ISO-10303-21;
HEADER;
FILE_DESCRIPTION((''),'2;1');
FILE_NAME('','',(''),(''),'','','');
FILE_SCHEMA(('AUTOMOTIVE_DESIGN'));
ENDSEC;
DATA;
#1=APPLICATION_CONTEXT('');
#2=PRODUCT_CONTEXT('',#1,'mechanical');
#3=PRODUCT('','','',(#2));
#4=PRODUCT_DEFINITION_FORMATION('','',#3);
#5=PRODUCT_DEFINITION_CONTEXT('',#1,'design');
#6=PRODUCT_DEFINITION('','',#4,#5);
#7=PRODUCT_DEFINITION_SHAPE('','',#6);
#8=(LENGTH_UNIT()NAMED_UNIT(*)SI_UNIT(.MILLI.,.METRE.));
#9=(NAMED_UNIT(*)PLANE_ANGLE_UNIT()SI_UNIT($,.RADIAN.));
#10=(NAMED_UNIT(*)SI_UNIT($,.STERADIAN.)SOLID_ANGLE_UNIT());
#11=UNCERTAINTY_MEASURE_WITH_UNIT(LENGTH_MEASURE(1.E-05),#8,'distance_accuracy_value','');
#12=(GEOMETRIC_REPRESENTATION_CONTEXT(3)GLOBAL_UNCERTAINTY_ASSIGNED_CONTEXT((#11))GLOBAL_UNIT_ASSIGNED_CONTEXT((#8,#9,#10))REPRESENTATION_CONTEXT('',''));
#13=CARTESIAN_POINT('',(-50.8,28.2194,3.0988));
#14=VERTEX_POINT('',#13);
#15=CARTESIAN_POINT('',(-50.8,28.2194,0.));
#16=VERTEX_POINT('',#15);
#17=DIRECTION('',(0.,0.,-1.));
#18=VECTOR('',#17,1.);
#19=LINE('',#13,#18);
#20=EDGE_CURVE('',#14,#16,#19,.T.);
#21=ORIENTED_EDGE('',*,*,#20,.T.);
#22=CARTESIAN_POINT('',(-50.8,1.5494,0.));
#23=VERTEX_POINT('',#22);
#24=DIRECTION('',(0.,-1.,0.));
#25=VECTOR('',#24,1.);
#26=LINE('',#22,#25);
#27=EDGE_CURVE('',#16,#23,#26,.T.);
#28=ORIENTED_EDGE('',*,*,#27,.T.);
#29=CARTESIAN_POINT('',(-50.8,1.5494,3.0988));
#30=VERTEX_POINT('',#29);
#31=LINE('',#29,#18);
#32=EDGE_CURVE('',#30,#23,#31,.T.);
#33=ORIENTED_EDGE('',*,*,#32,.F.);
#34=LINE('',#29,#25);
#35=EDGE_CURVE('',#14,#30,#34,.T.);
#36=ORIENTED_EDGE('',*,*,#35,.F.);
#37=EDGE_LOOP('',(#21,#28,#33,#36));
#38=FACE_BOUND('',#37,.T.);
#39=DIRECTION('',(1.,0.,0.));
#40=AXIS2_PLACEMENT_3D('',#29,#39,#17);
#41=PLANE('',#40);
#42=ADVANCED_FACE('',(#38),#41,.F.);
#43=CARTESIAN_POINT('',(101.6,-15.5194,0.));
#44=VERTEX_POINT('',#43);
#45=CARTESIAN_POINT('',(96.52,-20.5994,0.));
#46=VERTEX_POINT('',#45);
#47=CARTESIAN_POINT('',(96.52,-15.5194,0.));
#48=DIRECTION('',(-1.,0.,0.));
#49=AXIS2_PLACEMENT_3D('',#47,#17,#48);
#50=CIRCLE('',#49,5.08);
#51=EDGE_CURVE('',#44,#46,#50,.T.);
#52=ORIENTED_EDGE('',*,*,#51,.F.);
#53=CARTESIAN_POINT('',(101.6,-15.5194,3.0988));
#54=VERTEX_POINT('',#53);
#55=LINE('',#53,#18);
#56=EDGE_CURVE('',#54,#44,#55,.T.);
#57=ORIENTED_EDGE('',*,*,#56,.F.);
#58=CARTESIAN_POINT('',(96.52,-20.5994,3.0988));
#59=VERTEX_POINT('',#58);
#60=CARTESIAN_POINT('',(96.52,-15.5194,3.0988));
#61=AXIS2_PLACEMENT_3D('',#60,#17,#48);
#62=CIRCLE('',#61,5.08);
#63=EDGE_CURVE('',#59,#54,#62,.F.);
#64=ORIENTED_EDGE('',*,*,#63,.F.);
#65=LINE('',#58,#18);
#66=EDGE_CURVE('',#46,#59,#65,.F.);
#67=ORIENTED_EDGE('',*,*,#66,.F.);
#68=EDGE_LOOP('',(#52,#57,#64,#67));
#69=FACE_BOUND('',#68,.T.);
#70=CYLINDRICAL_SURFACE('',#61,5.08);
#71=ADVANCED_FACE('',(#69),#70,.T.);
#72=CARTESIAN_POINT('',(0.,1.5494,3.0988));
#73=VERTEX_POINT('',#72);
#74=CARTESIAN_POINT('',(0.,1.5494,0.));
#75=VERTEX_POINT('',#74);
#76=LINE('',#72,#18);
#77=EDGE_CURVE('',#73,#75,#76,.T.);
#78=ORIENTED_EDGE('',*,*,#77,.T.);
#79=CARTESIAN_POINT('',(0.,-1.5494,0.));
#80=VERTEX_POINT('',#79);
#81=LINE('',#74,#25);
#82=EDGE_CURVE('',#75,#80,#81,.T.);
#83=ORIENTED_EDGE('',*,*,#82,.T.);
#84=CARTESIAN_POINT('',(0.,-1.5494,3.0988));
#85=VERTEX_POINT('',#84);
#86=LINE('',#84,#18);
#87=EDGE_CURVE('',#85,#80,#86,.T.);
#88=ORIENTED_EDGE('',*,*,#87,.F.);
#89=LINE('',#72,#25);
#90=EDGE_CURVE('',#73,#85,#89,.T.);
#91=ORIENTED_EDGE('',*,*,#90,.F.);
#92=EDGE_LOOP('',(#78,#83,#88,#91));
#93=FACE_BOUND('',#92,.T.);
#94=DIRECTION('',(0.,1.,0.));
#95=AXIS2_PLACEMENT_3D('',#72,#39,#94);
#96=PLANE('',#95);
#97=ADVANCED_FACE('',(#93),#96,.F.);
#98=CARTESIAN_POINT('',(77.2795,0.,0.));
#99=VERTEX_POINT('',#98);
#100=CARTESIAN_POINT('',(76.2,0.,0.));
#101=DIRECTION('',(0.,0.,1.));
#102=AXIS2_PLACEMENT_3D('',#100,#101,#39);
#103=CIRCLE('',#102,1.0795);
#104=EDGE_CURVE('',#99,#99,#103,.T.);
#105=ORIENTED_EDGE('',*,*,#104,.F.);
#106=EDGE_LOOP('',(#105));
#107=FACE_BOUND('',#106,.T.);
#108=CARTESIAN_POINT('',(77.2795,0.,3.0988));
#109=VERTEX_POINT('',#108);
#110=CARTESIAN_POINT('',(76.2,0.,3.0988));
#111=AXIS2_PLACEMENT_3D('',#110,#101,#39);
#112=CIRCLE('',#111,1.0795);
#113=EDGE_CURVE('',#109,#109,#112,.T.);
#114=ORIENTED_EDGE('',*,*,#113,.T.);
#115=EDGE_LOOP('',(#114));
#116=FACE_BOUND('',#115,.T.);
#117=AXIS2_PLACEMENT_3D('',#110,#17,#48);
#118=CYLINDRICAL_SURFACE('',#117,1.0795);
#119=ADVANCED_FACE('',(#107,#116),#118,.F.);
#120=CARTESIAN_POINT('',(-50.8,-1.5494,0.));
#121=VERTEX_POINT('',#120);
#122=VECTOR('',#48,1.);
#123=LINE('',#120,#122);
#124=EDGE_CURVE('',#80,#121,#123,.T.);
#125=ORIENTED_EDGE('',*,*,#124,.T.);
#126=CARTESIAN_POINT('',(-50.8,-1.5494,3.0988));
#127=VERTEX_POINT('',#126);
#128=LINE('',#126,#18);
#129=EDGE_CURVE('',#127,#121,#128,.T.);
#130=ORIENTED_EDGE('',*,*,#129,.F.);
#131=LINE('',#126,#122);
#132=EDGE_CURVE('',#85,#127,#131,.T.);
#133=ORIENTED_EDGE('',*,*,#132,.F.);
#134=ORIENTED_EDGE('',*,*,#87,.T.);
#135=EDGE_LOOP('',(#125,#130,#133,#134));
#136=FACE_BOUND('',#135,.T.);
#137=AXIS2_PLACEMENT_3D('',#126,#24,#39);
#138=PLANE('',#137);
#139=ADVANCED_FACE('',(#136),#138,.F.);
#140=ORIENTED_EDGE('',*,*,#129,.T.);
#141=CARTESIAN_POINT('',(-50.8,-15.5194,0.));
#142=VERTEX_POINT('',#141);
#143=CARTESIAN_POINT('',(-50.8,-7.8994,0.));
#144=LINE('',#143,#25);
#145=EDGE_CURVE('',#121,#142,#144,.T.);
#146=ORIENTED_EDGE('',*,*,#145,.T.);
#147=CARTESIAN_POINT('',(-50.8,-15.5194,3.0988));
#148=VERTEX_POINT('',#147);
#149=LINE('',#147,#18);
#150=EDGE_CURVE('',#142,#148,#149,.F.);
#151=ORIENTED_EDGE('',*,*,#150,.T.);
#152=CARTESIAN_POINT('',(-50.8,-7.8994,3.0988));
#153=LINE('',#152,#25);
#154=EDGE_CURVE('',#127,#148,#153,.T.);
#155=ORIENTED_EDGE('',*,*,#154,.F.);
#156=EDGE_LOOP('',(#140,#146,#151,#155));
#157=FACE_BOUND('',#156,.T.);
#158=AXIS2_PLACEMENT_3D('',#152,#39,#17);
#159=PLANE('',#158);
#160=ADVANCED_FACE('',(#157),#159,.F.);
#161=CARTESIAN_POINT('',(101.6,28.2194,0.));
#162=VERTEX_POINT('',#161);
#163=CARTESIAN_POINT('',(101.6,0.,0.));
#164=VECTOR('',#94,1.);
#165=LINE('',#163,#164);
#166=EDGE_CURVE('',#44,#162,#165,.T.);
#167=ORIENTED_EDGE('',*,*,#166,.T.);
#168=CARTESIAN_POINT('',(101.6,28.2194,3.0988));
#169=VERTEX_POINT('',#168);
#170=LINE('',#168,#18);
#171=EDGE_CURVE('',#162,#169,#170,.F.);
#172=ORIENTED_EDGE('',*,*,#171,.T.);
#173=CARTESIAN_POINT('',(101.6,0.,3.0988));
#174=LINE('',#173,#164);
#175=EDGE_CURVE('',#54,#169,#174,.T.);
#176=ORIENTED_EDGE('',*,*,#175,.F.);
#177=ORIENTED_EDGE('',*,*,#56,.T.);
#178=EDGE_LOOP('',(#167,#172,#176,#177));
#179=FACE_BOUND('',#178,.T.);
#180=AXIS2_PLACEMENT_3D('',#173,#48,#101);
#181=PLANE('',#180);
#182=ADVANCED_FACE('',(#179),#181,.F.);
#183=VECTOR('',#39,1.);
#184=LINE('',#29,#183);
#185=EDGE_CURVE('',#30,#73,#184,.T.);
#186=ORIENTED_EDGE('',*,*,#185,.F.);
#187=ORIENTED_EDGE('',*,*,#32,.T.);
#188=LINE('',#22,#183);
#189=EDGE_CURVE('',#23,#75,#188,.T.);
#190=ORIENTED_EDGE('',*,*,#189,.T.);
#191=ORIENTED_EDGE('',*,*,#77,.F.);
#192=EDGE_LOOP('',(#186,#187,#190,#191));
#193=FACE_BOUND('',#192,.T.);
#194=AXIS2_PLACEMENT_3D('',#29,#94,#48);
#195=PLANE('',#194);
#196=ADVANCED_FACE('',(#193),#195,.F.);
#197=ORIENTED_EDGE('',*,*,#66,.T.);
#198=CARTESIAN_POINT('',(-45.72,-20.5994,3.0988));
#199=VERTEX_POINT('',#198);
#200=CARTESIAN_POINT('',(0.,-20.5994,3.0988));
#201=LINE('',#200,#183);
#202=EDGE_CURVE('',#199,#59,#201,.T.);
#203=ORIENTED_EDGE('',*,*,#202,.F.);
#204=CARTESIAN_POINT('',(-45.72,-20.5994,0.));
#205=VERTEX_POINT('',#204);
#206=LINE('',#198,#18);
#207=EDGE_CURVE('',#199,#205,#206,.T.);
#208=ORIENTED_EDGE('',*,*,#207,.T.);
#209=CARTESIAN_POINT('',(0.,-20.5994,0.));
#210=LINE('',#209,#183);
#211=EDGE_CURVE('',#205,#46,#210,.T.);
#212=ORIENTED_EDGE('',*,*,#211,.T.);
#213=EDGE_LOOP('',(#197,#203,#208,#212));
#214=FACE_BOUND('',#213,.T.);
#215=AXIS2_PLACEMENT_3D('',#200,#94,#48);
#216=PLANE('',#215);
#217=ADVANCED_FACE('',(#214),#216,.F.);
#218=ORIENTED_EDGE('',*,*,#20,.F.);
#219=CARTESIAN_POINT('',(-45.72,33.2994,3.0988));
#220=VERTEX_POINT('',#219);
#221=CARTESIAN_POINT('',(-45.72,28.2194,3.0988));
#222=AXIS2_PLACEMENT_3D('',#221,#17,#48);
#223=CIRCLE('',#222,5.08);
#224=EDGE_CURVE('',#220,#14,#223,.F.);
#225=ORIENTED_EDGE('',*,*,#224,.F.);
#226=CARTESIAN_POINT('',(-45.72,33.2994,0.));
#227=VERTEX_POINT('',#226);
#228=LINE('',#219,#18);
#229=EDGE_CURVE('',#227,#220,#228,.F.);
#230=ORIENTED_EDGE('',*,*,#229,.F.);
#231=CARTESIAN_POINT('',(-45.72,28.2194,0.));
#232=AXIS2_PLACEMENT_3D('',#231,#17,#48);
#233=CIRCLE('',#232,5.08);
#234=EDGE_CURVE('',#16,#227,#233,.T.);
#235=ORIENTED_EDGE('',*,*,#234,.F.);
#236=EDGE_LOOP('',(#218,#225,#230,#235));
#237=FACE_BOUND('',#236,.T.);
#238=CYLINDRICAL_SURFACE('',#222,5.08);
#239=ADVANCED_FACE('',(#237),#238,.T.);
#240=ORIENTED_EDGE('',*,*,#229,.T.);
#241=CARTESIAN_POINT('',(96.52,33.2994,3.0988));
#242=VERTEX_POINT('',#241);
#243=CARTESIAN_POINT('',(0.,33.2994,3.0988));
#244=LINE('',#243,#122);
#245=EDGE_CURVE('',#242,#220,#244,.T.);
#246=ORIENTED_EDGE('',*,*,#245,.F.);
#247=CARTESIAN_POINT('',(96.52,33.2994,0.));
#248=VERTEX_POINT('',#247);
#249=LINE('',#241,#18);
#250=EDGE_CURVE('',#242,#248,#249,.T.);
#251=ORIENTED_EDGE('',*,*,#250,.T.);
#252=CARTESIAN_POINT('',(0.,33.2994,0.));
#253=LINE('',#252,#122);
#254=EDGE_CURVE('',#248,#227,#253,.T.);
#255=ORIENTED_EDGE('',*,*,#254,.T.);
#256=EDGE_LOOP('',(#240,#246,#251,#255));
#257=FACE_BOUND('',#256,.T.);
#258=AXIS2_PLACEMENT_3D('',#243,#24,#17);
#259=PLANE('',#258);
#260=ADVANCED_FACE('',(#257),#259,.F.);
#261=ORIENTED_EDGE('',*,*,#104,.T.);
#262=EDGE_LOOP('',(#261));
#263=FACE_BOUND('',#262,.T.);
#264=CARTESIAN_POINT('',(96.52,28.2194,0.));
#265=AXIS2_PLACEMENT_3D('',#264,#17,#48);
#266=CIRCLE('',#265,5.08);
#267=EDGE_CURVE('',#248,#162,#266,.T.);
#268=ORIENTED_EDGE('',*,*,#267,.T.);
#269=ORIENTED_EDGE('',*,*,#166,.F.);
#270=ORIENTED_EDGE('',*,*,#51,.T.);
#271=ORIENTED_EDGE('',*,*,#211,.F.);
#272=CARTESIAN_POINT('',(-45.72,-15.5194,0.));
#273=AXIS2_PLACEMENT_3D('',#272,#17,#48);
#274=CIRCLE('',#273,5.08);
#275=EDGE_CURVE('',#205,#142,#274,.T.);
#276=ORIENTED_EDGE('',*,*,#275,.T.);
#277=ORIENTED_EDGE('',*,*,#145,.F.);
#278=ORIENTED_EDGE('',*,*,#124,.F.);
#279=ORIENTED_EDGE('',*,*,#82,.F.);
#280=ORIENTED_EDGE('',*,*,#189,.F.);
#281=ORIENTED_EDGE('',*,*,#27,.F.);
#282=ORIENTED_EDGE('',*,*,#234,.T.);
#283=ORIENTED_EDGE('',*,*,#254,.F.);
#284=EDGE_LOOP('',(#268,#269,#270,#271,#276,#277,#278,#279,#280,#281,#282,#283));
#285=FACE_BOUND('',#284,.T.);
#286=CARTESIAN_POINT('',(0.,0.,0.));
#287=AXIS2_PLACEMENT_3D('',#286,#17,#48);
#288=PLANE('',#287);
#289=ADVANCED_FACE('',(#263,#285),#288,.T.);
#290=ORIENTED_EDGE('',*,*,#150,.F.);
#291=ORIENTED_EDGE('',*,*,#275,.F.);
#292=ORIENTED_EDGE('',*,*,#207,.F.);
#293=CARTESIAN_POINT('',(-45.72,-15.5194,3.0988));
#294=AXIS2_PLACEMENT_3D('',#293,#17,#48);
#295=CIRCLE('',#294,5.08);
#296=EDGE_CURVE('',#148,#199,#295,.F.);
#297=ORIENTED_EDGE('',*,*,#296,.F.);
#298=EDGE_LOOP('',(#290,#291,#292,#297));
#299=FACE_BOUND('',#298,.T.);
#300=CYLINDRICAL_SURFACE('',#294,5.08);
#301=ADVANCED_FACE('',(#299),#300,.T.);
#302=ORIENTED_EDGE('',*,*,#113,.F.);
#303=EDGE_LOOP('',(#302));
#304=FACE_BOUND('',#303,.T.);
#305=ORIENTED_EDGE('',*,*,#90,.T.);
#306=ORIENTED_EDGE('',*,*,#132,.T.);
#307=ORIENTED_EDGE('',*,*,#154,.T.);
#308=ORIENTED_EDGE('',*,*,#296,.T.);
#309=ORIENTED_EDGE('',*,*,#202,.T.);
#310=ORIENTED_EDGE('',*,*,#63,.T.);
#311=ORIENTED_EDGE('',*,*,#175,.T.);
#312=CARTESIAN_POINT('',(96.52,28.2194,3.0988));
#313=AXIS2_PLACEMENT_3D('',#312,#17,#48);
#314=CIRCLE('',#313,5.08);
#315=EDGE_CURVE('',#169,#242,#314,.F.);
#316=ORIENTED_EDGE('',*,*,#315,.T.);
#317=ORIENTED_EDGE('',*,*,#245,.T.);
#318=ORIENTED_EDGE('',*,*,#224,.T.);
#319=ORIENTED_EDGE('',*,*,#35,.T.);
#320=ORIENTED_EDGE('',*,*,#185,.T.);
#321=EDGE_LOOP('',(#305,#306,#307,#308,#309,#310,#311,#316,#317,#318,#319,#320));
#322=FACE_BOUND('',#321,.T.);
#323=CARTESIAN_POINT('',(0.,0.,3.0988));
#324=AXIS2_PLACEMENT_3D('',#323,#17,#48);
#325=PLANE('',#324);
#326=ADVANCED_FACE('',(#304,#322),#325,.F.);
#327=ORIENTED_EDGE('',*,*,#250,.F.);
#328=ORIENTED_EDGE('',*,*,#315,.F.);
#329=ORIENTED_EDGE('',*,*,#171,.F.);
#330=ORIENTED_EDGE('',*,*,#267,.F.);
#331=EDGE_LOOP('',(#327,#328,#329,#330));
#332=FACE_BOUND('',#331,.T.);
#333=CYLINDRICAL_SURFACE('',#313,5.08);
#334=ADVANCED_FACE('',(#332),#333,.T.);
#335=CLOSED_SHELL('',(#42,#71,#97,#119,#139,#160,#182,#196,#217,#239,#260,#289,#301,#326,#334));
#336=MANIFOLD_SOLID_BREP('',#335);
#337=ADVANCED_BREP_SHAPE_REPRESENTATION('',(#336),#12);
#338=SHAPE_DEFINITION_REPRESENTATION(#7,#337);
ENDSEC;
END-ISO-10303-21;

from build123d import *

# Parameters (mm, degrees)
BOSS_EXTRUDE1_DEPTH = 3.0988
SKETCH3_R           = 1.0795
BOSS_EXTRUDE2_DEPTH = 3.0988
FILLET1_R           = 5.08


with BuildPart() as part:
    # Sketch2 → Boss-Extrude1 (new body)
    with BuildSketch(Plane.XY):
        Polygon((-50.8, 1.5494), (-50.8, 7.8994), (50.8, 7.8994), (50.8, -7.8994), (-50.8, -7.8994), (-50.8, -1.5494), (0, -1.5494), (0, 1.5494), align=None)
    extrude(amount=BOSS_EXTRUDE1_DEPTH)

    # Sketch3 → Boss-Extrude2 (add)
    with BuildSketch(Plane.XY):
        Polygon((50.8, -7.8994), (-50.8, -7.8994), (-50.8, -20.5994), (101.6, -20.5994), (101.6, 33.2994), (-50.8, 33.2994), (-50.8, 7.8994), (50.8, 7.8994), align=None)
        with Locations((76.2, 0)):
            Circle(SKETCH3_R, mode=Mode.SUBTRACT)
    extrude(amount=BOSS_EXTRUDE2_DEPTH)

    # Fillet1
    fillet1_edges = [part.edges().sort_by_distance(p)[0] for p in [
        (101.6, -20.5994, 1.5494),
        (101.6, 33.2994, 1.5494),
        (-50.8, 33.2994, 1.5494),
        (-50.8, -20.5994, 1.5494),
    ]]
    fillet(fillet1_edges, radius=FILLET1_R)


solid = part.part
